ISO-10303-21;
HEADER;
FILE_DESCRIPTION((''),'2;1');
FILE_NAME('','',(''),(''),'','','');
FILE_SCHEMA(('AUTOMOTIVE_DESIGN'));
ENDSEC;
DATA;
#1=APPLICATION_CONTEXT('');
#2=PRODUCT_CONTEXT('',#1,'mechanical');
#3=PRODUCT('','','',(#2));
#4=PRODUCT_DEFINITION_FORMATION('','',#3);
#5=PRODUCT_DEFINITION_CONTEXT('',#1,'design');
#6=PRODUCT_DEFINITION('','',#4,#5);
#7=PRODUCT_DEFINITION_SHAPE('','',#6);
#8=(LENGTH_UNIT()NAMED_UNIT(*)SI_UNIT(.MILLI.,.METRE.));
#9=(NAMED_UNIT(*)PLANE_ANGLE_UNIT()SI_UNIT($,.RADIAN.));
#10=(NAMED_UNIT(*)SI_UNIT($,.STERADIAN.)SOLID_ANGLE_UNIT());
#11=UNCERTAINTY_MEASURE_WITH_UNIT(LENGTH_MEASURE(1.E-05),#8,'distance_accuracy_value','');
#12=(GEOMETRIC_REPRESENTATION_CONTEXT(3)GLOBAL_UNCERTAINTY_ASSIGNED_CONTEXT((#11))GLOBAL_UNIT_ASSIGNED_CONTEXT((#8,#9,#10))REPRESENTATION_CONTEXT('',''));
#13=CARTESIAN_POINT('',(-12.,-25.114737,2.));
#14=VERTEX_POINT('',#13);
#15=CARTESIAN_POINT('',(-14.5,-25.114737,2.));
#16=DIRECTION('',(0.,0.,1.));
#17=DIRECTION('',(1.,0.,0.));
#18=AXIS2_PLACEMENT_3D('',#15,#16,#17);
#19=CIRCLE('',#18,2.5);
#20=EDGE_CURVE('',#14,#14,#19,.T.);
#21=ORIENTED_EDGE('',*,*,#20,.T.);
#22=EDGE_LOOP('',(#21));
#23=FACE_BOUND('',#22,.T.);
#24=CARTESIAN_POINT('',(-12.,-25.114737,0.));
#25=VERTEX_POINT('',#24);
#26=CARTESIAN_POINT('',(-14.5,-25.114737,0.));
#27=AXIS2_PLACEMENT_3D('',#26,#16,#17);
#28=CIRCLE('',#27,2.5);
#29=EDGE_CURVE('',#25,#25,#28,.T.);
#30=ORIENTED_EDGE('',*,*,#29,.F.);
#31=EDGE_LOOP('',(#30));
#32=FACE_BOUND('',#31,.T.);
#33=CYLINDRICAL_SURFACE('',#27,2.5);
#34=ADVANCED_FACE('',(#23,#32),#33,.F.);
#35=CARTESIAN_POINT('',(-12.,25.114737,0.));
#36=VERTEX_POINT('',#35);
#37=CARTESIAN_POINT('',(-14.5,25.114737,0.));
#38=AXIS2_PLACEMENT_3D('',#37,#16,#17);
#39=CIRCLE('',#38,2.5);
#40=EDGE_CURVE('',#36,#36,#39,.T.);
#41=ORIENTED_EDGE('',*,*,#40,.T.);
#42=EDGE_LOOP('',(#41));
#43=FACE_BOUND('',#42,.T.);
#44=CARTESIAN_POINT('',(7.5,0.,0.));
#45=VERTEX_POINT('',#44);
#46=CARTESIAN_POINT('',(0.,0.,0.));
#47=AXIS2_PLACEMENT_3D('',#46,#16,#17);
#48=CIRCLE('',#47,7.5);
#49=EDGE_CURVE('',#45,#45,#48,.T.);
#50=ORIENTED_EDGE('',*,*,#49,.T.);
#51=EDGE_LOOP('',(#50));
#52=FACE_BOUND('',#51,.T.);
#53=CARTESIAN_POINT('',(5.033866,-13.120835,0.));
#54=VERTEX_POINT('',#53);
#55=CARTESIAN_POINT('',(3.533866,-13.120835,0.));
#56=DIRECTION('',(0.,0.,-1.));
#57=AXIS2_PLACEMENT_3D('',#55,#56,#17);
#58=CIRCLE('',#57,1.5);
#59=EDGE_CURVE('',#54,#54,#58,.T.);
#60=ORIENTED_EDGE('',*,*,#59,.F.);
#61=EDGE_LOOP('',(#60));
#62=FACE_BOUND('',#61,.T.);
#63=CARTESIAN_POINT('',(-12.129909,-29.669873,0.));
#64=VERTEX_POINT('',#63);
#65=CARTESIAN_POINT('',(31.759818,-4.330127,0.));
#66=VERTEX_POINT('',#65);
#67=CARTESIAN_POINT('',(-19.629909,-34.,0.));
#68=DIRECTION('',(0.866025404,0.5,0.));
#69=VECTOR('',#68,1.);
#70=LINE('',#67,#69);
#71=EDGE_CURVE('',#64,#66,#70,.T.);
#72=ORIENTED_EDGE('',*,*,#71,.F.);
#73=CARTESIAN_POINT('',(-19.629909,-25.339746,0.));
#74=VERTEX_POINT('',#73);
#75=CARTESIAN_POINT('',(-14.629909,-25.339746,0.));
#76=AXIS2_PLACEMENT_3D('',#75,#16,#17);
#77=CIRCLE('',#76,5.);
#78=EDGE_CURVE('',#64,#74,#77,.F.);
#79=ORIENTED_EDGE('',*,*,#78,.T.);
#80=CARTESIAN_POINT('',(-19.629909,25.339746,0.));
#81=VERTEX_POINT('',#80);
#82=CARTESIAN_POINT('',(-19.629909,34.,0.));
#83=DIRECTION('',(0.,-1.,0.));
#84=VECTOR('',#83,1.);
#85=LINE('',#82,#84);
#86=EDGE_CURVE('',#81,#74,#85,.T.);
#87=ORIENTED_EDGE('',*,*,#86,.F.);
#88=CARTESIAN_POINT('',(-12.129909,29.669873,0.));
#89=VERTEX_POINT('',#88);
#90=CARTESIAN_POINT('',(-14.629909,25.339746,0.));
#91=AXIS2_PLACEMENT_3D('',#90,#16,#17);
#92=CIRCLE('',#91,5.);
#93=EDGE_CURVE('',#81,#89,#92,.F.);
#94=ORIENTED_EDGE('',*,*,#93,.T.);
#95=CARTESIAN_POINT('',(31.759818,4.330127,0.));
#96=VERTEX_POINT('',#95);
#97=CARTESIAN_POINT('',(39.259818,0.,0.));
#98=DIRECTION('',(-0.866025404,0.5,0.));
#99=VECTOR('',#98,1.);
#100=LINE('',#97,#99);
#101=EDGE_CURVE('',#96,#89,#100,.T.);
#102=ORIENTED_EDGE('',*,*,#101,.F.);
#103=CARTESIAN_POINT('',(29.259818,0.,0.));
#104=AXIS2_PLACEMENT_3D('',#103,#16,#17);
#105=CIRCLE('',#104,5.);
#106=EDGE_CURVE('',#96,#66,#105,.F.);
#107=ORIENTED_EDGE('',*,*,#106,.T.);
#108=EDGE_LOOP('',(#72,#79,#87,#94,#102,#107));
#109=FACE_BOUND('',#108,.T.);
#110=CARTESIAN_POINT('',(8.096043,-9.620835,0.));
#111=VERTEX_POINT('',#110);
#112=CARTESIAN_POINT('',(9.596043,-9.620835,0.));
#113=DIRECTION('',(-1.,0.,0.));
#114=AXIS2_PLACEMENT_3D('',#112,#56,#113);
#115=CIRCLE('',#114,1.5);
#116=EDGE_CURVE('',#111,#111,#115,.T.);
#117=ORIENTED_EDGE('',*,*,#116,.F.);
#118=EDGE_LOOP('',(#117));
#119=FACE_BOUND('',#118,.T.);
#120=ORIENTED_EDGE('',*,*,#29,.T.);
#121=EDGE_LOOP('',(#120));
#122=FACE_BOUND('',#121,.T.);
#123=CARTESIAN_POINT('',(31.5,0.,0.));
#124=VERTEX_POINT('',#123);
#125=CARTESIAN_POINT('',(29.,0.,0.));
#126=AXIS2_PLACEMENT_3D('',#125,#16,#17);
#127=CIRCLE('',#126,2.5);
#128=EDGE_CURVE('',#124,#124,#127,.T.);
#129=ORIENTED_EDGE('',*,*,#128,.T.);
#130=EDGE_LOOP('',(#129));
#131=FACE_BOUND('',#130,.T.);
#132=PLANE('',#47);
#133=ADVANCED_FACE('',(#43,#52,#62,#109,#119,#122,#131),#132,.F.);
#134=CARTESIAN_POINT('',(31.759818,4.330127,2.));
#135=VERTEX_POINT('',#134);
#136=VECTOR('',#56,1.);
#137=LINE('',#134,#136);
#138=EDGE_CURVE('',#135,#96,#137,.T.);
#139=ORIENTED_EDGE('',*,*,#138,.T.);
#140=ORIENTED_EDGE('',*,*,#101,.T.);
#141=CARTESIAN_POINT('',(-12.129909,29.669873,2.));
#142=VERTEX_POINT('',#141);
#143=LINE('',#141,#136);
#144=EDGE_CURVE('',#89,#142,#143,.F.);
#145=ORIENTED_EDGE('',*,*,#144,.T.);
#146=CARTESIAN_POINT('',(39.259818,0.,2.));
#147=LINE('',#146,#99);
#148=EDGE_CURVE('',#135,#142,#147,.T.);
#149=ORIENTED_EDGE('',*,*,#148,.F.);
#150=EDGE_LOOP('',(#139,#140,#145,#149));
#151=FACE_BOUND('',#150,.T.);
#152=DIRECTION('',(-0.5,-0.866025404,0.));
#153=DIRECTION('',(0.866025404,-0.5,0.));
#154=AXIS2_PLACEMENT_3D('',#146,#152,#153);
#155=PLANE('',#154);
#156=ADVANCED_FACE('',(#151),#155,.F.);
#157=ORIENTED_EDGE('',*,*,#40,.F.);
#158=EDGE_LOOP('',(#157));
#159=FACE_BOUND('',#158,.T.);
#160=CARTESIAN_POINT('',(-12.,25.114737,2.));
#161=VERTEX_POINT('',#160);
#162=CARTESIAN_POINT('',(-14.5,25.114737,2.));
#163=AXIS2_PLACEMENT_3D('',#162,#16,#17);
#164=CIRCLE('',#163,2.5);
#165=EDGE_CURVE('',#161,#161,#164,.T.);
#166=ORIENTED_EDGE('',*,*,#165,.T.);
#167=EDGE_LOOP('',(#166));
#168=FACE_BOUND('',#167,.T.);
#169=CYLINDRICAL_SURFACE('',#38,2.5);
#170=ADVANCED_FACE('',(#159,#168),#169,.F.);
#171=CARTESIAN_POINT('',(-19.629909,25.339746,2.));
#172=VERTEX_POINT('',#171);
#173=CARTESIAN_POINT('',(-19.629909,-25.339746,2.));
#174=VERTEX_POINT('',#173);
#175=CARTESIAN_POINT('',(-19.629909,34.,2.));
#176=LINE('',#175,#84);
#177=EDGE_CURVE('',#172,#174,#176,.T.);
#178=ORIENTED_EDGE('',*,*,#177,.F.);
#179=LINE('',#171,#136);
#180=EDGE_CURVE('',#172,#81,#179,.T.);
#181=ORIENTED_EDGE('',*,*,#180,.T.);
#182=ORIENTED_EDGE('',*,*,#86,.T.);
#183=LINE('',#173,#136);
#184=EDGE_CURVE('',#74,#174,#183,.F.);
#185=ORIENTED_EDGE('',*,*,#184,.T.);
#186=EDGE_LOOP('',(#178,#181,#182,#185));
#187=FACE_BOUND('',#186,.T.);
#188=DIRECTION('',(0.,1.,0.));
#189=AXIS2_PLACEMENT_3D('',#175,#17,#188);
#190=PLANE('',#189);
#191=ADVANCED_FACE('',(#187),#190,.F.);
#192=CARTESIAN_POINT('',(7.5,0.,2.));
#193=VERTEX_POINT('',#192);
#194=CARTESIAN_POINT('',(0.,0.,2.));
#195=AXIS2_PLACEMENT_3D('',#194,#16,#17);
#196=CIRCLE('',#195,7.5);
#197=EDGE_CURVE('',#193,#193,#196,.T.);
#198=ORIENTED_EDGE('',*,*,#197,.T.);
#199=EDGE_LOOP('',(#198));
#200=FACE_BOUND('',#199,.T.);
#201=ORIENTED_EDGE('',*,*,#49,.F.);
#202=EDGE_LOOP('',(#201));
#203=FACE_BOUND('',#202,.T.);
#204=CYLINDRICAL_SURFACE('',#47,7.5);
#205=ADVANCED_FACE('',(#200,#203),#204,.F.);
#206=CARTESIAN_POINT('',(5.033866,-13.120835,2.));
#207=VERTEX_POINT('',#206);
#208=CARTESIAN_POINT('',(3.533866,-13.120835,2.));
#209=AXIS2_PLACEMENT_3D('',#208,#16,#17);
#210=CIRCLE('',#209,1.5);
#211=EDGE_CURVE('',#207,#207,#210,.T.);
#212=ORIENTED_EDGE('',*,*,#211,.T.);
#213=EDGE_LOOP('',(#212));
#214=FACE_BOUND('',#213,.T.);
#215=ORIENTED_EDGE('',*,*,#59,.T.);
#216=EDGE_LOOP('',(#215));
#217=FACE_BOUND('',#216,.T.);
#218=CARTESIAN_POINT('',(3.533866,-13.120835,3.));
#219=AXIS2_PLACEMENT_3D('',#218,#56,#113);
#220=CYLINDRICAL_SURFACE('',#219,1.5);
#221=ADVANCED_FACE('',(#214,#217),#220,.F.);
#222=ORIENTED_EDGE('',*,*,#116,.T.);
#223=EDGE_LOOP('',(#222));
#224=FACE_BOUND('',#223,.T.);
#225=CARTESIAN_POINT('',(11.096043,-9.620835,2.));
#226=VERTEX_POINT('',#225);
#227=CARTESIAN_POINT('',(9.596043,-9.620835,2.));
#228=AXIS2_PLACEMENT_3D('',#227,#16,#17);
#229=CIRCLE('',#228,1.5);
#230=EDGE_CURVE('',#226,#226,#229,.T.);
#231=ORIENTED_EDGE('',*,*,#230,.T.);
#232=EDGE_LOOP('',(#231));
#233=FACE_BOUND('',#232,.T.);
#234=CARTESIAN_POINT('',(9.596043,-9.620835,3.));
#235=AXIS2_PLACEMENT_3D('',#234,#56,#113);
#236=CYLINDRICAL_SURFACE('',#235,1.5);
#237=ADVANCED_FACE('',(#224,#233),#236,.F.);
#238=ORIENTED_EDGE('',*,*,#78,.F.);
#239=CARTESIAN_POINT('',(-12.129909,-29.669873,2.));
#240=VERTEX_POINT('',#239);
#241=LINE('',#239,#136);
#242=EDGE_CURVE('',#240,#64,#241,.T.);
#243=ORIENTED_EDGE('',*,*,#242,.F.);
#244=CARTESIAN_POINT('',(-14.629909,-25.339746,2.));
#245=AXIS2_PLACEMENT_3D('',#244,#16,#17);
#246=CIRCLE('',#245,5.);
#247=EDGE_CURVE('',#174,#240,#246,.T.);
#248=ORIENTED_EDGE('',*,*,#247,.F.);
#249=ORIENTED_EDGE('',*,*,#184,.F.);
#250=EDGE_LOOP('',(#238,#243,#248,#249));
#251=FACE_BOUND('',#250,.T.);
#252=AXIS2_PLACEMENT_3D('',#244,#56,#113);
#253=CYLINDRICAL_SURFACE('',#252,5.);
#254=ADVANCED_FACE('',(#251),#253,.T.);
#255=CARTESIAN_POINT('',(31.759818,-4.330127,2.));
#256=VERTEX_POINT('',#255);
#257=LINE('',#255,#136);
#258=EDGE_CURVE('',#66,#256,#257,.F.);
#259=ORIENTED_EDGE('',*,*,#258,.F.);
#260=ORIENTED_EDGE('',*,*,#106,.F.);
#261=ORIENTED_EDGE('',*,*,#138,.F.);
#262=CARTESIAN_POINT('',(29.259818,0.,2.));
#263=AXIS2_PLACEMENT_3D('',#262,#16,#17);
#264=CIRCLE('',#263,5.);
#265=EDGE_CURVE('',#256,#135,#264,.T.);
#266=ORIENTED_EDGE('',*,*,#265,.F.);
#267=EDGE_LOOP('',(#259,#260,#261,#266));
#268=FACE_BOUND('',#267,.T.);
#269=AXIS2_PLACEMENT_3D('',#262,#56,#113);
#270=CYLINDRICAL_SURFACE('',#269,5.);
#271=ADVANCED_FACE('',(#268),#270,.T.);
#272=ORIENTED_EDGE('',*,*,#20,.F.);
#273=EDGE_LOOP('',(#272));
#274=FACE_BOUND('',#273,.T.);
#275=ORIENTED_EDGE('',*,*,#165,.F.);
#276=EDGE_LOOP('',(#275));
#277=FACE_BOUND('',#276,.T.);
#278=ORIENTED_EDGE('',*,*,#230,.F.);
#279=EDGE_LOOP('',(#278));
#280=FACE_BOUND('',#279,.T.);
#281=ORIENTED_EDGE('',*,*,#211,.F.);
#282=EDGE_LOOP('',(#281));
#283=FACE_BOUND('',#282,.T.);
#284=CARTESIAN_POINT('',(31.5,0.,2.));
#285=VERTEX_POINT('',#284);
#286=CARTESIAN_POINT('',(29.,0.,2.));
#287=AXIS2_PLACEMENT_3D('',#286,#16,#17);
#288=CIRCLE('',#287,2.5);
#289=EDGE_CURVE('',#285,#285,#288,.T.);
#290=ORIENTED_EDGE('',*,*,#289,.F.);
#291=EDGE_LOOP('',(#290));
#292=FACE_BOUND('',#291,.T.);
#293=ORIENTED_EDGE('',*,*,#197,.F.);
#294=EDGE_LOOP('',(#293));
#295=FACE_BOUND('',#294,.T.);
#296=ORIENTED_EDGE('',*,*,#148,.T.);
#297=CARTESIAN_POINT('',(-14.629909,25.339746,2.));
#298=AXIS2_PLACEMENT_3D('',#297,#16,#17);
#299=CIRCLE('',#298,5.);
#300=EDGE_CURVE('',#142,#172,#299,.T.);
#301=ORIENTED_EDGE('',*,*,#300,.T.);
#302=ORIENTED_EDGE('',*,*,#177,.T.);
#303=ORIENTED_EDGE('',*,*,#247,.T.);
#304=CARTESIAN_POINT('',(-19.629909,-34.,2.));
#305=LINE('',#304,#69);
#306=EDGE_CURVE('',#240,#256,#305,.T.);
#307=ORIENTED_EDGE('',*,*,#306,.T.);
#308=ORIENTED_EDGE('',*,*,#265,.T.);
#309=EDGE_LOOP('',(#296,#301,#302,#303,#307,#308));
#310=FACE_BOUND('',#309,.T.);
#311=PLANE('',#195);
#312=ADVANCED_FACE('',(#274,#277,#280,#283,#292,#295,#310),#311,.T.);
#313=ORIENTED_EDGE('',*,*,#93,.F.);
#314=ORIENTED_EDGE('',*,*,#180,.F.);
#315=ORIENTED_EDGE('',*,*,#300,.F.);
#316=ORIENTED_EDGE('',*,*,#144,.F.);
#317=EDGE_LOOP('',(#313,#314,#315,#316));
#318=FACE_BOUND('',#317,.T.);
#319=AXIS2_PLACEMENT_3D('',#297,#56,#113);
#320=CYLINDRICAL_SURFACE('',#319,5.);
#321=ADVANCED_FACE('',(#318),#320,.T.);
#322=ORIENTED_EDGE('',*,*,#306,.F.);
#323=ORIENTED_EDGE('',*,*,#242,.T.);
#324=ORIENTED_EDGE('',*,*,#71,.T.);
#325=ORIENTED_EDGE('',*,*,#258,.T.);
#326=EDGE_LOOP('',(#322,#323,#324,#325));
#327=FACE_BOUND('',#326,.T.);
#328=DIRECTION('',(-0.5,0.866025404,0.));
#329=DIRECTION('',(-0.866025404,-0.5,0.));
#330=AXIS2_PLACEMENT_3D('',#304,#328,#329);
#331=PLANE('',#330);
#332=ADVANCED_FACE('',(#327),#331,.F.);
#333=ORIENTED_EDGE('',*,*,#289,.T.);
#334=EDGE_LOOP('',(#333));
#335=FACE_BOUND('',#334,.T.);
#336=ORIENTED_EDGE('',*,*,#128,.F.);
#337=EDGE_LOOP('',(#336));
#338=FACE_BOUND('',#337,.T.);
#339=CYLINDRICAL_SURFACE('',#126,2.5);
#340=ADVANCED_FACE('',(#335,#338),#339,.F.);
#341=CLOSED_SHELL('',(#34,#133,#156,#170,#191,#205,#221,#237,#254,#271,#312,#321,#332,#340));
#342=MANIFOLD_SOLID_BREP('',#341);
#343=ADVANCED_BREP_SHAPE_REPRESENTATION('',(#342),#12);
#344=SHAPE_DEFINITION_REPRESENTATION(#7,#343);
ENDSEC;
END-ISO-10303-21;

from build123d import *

# Parameters (mm, degrees)
EXTRUDE_1_DEPTH     = 2
SKETCH_2_R          = 7.5
CUT_EXTRUDE_1_DEPTH = 52.974352649
SKETCH_3_R          = 2.5
CUT_EXTRUDE_2_DEPTH = 52.974352649
FILLET_2_R          = 5
SKETCH_4_R          = 1.5
CUT_EXTRUDE_3_DEPTH = 3


with BuildPart() as part:
    # 草图1 → 凸台-拉伸1 (new body)
    with BuildSketch(Plane.XY):
        Polygon((39.259818305, 0), (-19.629909152, 34), (-19.629909152, -34), align=None)
    extrude(amount=EXTRUDE_1_DEPTH)

    # 草图2 → 切除-拉伸1 (cut, through all)
    with BuildSketch(Plane.XY.offset(2)):
        Circle(SKETCH_2_R)
    extrude(amount=-CUT_EXTRUDE_1_DEPTH, mode=Mode.SUBTRACT)

    # 草图3 → 切除-拉伸2 (cut, through all)
    with BuildSketch(Plane.XY.offset(2)):
        with Locations((29, 0)):
            Circle(SKETCH_3_R)
        with Locations((-14.5, -25.11473671)):
            Circle(SKETCH_3_R)
        with Locations((-14.5, 25.11473671)):
            Circle(SKETCH_3_R)
    extrude(amount=-CUT_EXTRUDE_2_DEPTH, mode=Mode.SUBTRACT)

    # 圆角2
    fillet_2_edges = [part.edges().sort_by_distance(p)[0] for p in [
        (-19.629909152, -34, 1),
        (-19.629909152, 34, 1),
        (39.259818305, 0, 1),
    ]]
    fillet(fillet_2_edges, radius=FILLET_2_R)

    # 草图4 → 切除-拉伸3 (cut)
    with BuildSketch(Plane(origin=(0, 0, 0), x_dir=(-1, 0, 0), z_dir=(0, 0, -1))):
        with Locations(Location((-3.533865663, -13.120834875, 0), (0, 0, 180))):
            Circle(SKETCH_4_R)
        with Locations((-9.596043489, -9.620834875)):
            Circle(SKETCH_4_R)
    extrude(amount=-CUT_EXTRUDE_3_DEPTH, mode=Mode.SUBTRACT)


solid = part.part
